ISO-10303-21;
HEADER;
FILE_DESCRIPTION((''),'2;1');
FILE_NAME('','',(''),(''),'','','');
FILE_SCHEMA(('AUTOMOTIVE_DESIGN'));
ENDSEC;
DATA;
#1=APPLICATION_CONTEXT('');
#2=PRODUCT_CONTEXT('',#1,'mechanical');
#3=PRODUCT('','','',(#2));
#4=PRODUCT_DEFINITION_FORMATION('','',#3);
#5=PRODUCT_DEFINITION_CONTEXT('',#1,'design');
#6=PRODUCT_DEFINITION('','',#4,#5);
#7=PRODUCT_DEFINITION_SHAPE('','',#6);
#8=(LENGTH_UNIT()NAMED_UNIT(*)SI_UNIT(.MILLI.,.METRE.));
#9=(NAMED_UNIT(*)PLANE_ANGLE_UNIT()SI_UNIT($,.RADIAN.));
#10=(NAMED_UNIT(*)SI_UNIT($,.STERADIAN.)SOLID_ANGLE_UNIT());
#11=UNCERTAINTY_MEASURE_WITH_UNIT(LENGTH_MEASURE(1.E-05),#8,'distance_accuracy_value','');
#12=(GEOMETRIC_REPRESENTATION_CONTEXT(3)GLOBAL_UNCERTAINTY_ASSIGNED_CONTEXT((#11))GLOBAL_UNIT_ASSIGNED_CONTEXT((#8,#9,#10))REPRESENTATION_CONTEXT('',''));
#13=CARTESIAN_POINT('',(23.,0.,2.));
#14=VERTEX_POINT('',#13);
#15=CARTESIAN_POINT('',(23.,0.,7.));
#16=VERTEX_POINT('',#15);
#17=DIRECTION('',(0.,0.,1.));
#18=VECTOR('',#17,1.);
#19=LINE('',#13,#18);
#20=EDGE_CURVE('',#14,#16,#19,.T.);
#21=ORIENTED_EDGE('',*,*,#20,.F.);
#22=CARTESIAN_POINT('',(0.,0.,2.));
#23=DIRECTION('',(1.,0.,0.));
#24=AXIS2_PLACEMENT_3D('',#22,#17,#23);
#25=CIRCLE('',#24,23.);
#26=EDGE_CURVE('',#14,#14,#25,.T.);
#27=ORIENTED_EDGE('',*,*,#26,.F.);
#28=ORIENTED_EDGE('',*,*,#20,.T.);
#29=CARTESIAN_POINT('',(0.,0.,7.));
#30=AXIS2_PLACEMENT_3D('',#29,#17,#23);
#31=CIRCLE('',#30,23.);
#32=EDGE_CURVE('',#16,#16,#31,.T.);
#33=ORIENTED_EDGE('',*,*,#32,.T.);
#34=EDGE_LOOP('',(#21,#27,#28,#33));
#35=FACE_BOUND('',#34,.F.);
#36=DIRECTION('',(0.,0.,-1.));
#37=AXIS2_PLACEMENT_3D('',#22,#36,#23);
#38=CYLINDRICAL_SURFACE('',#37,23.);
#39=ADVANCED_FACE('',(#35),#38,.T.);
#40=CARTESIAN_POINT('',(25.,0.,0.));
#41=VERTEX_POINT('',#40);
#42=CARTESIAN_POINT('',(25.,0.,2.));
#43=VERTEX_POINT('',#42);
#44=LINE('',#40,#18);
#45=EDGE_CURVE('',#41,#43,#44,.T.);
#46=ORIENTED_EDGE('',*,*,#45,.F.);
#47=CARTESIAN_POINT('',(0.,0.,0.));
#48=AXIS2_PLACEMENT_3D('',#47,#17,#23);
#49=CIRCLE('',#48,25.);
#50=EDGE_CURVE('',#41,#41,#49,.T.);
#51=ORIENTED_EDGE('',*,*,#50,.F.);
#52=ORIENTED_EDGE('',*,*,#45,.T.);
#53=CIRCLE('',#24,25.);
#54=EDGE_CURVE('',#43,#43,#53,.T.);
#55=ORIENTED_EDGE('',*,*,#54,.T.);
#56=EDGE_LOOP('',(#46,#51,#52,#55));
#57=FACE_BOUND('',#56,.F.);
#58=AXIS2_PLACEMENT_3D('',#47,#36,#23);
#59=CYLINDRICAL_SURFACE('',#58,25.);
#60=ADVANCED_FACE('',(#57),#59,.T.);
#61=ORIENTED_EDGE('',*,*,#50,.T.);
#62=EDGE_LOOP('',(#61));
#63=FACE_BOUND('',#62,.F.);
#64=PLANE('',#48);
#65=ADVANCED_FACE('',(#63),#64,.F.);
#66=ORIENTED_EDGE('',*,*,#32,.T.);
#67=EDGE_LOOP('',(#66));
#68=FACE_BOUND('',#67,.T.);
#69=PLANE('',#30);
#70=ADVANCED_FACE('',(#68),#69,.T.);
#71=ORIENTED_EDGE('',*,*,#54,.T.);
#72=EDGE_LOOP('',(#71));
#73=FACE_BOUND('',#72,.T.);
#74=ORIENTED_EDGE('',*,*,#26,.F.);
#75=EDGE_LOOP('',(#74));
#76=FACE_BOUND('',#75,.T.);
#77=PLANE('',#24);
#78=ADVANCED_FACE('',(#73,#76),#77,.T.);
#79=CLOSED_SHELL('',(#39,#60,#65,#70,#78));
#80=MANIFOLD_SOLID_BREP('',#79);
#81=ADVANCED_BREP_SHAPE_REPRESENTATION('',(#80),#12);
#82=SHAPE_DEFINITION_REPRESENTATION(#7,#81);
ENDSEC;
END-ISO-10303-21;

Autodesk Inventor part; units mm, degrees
ref_plane "YZ Plane" through (0, 0, 0) normal (1, 0, 0) x (0, 1, 0)
ref_plane "XZ Plane" through (0, 0, 0) normal (0, 1, 0) x (-1, 0, 0)
ref_plane "XY Plane" through (0, 0, 0) normal (0, 0, 1) x (1, 0, 0)
sketch "Szkic1" plane through (0, 0, 0) normal (0, 0, 1) x (1, 0, 0)
  circle A0 centre (0, 0) radius 25
  dimension "d0" = 50
extrude "Wyciągnięcie proste1" add sketch "Szkic1" along normal blind 2
sketch "Szkic2" plane through (0, 0, 2) normal (0, 0, 1) x (1, 0, 0)
  circle A0 centre (0, 0) radius 23
  dimension "d3" = 46
extrude "Wyciągnięcie proste2" add sketch "Szkic2" along normal blind 5
properties part number "camera_poprywka_bez mocowania" material "Tworzywo sztuczne PET"
